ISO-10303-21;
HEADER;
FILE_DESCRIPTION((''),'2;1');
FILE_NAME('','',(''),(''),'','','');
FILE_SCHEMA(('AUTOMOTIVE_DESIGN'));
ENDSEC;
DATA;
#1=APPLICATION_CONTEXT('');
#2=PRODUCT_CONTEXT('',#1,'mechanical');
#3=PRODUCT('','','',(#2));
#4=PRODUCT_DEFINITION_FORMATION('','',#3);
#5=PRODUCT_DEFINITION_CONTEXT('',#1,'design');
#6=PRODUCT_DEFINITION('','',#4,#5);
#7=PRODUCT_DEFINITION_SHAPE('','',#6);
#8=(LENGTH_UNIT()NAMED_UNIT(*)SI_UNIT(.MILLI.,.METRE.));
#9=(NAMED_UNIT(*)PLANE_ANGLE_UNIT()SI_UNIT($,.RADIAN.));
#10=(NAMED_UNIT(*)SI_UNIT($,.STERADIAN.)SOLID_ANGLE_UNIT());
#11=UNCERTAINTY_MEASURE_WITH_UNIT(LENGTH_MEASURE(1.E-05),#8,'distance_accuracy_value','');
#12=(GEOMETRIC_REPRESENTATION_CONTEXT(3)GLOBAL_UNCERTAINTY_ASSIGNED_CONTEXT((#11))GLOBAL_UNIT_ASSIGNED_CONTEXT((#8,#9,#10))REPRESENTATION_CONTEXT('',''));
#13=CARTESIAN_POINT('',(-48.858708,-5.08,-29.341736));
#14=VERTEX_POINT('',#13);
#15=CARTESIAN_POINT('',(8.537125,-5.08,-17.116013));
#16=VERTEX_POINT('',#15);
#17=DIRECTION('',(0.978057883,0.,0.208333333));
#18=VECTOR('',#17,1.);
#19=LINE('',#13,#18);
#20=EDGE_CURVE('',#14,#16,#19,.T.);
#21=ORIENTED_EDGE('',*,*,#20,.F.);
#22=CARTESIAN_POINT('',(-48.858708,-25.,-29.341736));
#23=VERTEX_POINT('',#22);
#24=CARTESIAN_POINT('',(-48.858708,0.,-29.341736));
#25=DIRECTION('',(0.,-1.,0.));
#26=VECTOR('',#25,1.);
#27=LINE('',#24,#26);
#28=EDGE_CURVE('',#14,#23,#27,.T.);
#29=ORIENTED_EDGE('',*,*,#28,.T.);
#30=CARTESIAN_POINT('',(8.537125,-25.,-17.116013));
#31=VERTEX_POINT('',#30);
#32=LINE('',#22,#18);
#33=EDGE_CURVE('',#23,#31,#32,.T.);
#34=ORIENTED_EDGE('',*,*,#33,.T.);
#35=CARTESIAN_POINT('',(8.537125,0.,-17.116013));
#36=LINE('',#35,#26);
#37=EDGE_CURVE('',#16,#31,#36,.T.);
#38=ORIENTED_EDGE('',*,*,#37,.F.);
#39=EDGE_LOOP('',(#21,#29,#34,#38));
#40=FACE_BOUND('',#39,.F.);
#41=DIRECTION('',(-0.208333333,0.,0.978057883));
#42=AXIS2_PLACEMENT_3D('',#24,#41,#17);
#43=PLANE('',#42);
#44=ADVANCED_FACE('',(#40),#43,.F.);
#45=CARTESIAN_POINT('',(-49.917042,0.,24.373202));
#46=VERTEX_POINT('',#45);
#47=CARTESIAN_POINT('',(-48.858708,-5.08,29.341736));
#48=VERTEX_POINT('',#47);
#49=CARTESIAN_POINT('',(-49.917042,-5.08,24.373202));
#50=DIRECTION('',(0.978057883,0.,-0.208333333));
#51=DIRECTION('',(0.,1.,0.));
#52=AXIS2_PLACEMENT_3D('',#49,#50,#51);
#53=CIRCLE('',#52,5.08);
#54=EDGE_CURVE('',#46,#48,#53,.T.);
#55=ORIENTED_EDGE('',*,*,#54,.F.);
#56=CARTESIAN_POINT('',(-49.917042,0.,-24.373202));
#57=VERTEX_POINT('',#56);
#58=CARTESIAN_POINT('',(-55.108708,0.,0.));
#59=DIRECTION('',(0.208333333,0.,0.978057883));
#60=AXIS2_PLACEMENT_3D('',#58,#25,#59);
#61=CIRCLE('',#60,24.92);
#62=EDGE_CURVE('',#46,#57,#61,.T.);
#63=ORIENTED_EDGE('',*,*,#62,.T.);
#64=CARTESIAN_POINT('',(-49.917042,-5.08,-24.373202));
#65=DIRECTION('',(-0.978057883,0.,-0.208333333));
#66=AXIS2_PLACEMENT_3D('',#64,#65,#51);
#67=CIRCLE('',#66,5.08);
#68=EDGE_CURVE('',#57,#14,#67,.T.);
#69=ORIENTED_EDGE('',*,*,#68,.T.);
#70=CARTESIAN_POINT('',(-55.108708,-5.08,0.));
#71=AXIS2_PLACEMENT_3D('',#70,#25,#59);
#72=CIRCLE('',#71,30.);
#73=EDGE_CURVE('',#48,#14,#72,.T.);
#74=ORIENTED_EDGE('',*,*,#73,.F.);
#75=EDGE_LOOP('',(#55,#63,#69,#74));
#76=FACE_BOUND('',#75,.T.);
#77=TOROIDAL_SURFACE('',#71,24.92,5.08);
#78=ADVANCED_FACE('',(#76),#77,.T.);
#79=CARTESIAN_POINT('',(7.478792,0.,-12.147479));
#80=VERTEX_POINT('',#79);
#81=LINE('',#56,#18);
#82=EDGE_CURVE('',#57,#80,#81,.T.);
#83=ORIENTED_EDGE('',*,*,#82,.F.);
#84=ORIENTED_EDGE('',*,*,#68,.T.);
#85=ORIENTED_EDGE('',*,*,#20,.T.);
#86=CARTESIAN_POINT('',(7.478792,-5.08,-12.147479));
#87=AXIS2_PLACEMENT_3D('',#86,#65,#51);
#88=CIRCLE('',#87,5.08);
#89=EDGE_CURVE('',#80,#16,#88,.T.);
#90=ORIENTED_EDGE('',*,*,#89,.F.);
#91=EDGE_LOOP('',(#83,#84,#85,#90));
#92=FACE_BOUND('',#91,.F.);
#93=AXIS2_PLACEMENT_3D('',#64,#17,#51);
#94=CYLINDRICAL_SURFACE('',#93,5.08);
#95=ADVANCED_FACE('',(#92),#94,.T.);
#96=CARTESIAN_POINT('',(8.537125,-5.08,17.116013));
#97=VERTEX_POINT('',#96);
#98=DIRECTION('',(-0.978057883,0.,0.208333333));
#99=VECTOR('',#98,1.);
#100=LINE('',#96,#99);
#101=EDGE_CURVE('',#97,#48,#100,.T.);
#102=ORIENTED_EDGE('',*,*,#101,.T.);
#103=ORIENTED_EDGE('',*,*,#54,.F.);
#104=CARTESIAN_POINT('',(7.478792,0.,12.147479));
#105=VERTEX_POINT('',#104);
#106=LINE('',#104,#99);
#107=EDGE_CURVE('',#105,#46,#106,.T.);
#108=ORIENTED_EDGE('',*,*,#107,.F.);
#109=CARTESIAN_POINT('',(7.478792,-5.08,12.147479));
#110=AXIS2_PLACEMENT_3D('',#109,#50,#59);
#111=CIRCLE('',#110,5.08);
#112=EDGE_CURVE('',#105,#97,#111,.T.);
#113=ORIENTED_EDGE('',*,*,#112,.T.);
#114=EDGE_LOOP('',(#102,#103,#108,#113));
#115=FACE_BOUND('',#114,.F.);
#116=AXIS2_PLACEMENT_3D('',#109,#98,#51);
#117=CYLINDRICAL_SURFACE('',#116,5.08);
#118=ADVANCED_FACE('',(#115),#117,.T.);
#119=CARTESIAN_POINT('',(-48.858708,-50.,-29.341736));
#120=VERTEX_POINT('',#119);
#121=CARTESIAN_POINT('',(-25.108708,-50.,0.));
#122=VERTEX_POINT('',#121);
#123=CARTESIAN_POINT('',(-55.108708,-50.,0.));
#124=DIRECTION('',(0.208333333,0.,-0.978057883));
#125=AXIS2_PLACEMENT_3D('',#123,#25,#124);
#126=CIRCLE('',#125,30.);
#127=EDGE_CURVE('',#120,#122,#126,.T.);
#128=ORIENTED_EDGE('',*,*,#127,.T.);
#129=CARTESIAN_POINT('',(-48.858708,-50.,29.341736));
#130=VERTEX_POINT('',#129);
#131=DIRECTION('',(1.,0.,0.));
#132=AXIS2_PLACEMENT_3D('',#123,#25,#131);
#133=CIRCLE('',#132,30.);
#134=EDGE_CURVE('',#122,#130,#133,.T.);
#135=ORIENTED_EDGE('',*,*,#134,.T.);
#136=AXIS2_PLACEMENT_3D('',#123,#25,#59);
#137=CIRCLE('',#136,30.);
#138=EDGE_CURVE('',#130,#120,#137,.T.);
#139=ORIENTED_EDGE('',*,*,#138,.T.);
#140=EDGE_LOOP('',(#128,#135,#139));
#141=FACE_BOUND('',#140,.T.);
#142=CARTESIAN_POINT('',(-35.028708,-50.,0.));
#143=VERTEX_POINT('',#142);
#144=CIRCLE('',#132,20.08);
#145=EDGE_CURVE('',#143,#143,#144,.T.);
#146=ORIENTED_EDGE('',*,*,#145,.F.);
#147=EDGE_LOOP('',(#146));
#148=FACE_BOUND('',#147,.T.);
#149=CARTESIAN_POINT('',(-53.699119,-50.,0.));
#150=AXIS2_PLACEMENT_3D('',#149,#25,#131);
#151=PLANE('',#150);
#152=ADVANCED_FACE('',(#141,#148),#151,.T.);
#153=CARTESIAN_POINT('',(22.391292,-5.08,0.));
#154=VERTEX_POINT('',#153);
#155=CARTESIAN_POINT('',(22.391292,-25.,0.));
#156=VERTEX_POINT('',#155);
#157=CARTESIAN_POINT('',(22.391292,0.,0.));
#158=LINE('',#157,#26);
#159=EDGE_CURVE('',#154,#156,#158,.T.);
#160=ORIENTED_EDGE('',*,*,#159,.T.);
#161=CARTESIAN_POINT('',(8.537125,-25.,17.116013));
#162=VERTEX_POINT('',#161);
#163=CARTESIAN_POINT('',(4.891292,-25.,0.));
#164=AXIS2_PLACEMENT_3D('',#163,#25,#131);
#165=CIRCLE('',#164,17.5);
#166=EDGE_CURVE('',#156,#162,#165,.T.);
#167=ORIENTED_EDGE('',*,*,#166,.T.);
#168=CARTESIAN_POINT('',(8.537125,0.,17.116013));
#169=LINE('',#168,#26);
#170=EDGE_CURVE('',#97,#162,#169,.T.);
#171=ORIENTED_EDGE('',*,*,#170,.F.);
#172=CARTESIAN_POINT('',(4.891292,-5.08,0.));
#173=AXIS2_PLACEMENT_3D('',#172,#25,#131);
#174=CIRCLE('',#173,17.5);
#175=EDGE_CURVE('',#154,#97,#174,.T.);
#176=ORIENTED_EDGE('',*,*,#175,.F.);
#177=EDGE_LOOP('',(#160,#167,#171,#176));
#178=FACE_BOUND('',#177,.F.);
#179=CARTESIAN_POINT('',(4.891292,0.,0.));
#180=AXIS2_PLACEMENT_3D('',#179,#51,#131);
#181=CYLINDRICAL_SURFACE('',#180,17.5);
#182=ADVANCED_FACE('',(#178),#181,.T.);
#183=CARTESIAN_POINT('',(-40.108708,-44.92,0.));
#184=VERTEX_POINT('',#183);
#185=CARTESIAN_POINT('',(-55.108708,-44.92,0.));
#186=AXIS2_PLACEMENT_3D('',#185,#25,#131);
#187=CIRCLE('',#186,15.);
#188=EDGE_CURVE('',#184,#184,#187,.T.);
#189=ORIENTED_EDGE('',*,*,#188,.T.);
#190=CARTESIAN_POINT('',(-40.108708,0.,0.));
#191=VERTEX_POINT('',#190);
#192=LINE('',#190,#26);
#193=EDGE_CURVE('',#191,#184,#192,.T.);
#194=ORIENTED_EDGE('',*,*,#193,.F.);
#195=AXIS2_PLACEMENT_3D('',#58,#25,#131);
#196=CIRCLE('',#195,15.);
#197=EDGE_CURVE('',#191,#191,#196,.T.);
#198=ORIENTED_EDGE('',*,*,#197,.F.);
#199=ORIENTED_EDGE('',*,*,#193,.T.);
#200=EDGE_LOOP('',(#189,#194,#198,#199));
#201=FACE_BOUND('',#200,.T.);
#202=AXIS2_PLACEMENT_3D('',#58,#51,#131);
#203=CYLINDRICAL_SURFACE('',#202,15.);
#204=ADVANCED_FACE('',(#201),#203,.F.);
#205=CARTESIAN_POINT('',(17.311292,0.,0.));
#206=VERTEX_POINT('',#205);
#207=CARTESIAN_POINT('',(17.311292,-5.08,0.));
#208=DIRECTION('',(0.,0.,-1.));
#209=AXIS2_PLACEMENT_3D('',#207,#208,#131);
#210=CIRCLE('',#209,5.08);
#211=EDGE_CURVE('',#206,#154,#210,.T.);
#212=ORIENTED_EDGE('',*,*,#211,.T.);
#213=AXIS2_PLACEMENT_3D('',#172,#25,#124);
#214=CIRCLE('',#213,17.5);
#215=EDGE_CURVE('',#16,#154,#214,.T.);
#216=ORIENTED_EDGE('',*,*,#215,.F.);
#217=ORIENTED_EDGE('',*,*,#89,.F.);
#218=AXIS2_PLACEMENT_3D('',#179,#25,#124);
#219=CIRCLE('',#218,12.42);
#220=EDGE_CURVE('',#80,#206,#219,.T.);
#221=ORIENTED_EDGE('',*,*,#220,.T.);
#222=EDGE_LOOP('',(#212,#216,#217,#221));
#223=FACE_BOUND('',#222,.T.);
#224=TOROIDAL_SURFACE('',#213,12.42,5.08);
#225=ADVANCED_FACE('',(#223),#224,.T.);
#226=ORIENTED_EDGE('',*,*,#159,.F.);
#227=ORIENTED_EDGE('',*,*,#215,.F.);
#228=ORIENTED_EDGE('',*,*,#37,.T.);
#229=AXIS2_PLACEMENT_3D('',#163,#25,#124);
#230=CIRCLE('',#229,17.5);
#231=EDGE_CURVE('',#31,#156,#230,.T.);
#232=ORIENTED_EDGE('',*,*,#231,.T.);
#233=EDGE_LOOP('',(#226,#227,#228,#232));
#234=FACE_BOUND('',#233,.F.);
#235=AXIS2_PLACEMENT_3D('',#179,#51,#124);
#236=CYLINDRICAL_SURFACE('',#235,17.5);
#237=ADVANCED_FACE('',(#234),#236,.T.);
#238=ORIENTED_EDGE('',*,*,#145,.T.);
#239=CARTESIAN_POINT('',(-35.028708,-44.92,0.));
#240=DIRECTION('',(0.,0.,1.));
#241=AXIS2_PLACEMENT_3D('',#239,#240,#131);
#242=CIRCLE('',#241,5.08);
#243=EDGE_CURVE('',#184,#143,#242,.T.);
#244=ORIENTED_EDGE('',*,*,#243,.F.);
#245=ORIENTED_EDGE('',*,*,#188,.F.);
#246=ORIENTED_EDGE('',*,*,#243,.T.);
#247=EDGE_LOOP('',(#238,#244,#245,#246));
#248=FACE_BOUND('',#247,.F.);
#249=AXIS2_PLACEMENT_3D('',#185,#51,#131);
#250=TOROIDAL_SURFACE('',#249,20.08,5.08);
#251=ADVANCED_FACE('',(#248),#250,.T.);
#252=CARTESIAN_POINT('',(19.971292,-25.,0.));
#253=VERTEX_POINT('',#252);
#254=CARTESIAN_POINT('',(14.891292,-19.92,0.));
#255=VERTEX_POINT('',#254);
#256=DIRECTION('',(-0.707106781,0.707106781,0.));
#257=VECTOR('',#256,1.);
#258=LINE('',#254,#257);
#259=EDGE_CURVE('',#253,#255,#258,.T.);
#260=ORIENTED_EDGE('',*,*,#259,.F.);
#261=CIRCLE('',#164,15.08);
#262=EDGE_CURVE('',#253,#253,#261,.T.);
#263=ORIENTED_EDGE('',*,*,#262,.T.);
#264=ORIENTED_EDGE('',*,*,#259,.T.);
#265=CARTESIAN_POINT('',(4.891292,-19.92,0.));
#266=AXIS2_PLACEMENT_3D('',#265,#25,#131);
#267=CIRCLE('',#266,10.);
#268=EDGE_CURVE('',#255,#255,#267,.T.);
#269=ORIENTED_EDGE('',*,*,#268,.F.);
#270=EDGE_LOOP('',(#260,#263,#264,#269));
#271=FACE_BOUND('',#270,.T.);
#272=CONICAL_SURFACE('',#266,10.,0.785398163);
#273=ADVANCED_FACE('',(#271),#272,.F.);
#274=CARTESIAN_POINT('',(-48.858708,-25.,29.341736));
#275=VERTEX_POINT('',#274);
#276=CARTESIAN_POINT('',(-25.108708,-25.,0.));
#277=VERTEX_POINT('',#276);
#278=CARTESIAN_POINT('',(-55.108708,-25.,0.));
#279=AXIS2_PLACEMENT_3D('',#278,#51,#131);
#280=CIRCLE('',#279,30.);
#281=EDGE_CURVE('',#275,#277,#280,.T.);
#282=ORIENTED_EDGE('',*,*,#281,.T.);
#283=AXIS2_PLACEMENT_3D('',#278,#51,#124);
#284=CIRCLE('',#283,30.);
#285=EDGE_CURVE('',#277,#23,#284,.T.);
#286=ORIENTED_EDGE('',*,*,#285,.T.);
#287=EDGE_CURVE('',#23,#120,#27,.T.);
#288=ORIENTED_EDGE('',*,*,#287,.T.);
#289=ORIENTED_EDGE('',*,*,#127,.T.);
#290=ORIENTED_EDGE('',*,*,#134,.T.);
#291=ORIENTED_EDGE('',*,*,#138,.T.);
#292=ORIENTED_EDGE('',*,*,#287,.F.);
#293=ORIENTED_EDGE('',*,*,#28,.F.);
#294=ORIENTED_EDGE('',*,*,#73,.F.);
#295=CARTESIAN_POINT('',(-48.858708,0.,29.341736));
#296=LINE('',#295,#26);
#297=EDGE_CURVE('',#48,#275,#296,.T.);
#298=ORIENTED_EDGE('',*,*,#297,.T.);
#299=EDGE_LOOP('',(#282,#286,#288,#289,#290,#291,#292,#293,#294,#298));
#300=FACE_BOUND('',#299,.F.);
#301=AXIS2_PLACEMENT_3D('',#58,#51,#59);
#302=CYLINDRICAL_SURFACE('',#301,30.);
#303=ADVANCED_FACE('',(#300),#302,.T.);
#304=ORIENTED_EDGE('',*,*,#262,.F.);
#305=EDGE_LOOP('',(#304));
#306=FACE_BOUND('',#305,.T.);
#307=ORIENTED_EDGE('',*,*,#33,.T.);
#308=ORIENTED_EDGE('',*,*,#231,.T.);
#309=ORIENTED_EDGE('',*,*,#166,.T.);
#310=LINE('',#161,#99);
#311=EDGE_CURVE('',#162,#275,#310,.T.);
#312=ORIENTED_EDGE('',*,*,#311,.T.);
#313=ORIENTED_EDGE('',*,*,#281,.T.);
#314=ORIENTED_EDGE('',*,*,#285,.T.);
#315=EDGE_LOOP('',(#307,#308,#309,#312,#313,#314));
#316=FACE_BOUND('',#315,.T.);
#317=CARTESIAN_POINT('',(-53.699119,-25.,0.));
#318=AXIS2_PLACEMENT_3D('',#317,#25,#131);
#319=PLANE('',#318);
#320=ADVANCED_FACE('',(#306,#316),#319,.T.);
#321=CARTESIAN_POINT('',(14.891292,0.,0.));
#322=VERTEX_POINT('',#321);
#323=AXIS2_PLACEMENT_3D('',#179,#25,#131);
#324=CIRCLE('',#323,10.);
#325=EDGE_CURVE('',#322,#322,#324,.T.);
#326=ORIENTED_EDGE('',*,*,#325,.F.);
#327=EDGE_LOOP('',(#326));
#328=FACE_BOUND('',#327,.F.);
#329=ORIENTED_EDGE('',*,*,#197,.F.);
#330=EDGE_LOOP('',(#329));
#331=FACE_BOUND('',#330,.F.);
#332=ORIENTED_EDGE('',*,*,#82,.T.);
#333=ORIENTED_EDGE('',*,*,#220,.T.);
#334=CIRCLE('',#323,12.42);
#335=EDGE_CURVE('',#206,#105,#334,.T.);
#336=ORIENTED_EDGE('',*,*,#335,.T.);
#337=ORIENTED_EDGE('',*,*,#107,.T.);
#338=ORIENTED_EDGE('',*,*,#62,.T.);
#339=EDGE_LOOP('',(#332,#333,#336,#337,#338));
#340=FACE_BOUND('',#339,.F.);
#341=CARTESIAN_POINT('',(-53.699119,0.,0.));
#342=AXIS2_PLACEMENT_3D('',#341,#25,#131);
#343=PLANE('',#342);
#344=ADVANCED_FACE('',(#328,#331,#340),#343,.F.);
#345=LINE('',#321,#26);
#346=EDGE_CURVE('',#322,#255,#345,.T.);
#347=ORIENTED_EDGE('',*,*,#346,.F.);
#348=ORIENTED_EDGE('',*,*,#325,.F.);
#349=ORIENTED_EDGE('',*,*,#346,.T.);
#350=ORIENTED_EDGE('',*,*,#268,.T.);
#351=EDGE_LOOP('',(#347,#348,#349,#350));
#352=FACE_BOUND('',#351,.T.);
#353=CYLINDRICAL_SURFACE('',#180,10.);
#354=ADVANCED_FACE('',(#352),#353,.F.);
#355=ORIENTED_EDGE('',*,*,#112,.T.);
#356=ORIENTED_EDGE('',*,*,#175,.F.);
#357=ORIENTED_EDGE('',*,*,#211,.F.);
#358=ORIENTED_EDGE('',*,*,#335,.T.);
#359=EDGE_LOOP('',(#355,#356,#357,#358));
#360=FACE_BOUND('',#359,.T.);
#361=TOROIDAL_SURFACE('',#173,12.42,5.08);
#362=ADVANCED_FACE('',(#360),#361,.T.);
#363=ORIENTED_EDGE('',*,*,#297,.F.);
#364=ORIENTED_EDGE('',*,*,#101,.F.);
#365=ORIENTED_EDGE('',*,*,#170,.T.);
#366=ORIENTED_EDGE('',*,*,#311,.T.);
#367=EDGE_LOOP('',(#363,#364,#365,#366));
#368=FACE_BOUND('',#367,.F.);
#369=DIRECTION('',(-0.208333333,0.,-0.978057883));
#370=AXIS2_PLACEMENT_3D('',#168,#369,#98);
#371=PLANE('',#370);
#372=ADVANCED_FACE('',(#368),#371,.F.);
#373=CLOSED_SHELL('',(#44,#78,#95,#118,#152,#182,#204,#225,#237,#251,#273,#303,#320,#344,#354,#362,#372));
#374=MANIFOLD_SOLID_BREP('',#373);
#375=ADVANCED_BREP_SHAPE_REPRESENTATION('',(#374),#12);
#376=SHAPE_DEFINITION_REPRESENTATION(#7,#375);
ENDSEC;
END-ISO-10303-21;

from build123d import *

# Parameters (mm, degrees)
F0_R     = 15
F0_R_2   = 10
F1_DEPTH = 25
F2_DEPTH = 50
F3_R     = 5.08
F4_SIZE  = 5.08


with BuildPart() as f1:
    # F0 (on Front) → F1 (new body)
    with BuildSketch(Plane.XZ):
        with BuildLine():
            ThreePointArc((-48.8587082131, -29.3417364858), (-31.7902605804, -18.8745860882), (-25.1087082131, 0))
            ThreePointArc((-25.1087082131, 0), (-31.7902605804, 18.8745860882), (-48.8587082131, 29.3417364858))
            ThreePointArc((-48.8587082131, 29.3417364858), (-85.1087082131, 0), (-48.8587082131, -29.3417364858))
        make_face()
        with Locations((-55.1087082131, 0)):
            Circle(F0_R, mode=Mode.SUBTRACT)
        with BuildLine():
            ThreePointArc((-48.8587082131, 29.3417364858), (-31.7902605804, 18.8745860882), (-25.1087082131, 0))
            ThreePointArc((-25.1087082131, 0), (-31.7902605804, -18.8745860882), (-48.8587082131, -29.3417364858))
            Line((-48.8587082131, -29.3417364858), (8.5371251202, -17.11601295))
            ThreePointArc((8.5371251202, -17.11601295), (-12.6087082131, 0), (8.5371251202, 17.11601295))
            Line((8.5371251202, 17.11601295), (-48.8587082131, 29.3417364858))
        make_face()
        with BuildLine():
            ThreePointArc((22.3912917869, 0), (18.4937195726, 11.0101752181), (8.5371251202, 17.11601295))
            ThreePointArc((8.5371251202, 17.11601295), (-12.6087082131, 0), (8.5371251202, -17.11601295))
            ThreePointArc((8.5371251202, -17.11601295), (18.4937195726, -11.0101752181), (22.3912917869, 0))
        make_face()
        with Locations((4.8912917869, 0)):
            Circle(F0_R_2, mode=Mode.SUBTRACT)
    extrude(amount=F1_DEPTH)

    # F0 (on Front) → F2 (join)
    with BuildSketch(Plane.XZ):
        with BuildLine():
            ThreePointArc((-48.8587082131, -29.3417364858), (-31.7902605804, -18.8745860882), (-25.1087082131, 0))
            ThreePointArc((-25.1087082131, 0), (-31.7902605804, 18.8745860882), (-48.8587082131, 29.3417364858))
            ThreePointArc((-48.8587082131, 29.3417364858), (-85.1087082131, 0), (-48.8587082131, -29.3417364858))
        make_face()
        with Locations((-55.1087082131, 0)):
            Circle(F0_R, mode=Mode.SUBTRACT)
    extrude(amount=F2_DEPTH)

    # F3
    f3_edges = [f1.edges().sort_by_distance(p)[0] for p in [
        (-70.108708, -50, 0),
        (-20.160792, 0, -23.228875),
    ]]
    fillet(f3_edges, radius=F3_R)

    # F4
    f4_edges = [f1.edges().sort_by_distance(p)[0] for p in [
        (-38.620811, -48.512102, 0),
        (-70.108708, -44.92, 0),
        (-75.188708, -50, 0),
        (-5.108708, -25, 0),
    ]]
    chamfer(f4_edges, length=F4_SIZE)


solid = f1.part
